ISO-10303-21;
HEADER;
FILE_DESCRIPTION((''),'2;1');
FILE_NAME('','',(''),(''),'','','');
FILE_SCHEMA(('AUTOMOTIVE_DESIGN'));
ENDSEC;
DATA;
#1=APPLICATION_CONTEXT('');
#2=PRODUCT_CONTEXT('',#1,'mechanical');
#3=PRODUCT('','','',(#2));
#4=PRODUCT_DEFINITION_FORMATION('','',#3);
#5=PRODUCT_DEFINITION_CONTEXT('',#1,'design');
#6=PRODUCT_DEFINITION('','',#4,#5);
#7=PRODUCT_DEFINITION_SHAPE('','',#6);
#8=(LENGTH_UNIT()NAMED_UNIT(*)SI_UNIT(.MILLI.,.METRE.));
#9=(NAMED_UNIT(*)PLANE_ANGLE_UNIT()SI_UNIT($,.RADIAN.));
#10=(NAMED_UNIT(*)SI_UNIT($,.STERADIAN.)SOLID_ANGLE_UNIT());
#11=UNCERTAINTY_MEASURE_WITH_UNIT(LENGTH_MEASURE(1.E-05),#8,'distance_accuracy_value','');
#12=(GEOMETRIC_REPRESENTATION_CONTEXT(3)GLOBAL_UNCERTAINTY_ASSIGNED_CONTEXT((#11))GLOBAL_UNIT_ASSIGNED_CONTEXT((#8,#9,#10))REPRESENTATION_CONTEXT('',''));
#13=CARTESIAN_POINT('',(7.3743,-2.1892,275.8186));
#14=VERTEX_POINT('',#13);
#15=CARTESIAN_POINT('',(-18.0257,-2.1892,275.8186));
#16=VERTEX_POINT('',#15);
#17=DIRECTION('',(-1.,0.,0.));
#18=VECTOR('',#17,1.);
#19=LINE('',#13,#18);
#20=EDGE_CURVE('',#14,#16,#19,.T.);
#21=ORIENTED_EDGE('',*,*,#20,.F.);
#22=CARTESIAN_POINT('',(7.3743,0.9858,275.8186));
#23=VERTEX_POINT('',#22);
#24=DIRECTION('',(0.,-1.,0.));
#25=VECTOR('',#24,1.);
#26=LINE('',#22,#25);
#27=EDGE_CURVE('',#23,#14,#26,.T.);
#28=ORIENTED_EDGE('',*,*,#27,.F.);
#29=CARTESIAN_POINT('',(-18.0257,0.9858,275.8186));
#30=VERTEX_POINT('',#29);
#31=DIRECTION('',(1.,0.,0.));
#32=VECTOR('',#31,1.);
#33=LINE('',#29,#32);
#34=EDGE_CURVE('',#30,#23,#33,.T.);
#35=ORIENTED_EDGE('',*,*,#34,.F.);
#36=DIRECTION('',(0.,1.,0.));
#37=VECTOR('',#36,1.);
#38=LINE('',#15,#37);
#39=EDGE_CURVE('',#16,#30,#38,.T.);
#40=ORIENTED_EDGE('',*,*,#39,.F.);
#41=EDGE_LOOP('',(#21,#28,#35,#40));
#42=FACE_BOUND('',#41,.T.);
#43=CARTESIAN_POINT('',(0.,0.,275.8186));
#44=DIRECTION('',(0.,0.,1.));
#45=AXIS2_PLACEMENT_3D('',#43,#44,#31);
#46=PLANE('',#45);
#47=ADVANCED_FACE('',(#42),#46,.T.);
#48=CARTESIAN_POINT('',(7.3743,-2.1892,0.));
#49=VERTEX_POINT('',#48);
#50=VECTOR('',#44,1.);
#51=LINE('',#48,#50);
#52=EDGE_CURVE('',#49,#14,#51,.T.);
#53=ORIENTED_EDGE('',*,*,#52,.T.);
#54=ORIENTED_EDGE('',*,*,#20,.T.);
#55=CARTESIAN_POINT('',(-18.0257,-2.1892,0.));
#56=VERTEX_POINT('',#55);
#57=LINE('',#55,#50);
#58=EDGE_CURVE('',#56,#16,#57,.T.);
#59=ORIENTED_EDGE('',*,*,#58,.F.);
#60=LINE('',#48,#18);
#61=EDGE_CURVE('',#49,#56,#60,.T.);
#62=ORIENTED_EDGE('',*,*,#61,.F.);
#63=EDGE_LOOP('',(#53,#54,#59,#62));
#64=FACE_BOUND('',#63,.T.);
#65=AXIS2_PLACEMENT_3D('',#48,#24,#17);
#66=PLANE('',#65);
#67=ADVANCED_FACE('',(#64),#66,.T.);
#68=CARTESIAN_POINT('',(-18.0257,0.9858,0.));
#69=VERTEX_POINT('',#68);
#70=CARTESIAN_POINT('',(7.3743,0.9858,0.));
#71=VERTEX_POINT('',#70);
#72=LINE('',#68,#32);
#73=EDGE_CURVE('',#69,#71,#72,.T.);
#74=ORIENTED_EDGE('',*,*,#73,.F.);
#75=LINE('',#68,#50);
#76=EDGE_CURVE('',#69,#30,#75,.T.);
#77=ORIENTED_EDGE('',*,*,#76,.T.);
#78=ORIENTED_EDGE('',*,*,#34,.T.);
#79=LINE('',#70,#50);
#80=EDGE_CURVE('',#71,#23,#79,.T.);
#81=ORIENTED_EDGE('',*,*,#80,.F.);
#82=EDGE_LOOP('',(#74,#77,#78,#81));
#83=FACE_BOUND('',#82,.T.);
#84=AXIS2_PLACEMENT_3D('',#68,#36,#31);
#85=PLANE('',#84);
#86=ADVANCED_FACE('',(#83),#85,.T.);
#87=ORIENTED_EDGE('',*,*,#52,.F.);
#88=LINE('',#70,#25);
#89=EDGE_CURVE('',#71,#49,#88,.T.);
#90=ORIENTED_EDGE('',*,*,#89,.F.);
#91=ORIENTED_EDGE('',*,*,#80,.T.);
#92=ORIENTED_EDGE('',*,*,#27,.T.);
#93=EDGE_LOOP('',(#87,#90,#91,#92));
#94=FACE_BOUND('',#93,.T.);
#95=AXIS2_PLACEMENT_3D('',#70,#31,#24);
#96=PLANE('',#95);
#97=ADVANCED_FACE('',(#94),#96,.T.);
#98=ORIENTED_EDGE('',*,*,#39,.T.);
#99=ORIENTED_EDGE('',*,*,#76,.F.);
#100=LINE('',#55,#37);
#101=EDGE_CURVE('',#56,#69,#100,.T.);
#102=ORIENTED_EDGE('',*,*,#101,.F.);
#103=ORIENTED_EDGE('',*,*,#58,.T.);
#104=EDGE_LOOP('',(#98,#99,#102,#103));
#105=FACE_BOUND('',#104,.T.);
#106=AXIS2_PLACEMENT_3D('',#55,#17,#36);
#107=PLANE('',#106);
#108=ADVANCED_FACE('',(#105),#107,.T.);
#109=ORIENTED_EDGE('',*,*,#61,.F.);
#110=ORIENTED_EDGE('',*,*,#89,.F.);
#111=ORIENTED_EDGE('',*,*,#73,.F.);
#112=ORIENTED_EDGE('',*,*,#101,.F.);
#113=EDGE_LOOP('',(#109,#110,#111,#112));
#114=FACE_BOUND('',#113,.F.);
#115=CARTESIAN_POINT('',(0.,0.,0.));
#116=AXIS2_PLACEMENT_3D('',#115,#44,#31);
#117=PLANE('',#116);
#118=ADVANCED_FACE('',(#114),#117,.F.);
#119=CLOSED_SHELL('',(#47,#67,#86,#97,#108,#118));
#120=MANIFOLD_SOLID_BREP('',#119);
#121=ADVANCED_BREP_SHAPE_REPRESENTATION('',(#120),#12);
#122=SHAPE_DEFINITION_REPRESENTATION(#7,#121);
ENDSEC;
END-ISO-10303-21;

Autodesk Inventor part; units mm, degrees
ref_plane "YZ Plane" through (0, 0, 0) normal (1, 0, 0) x (0, 1, 0)
ref_plane "XZ Plane" through (0, 0, 0) normal (0, 1, 0) x (-1, 0, 0)
ref_plane "XY Plane" through (0, 0, 0) normal (0, 0, 1) x (1, 0, 0)
sketch "Sketch1" plane through (0, 0, 0) normal (0, 0, 1) x (1, 0, 0)
  line L0 (-18.0257, 0.9858) -> (7.3743, 0.9858)
  line L1 (7.3743, 0.9858) -> (7.3743, -2.1892)
  line L2 (7.3743, -2.1892) -> (-18.0257, -2.1892)
  line L3 (-18.0257, -2.1892) -> (-18.0257, 0.9858)
  point P0 (0, 0)
  dimension "d0" = 25.4
  dimension "d1" = 3.175
extrude "Extrusion1" add sketch "Sketch1" along normal blind 275.8186
properties part number "RailMountMetal_NERDS"
